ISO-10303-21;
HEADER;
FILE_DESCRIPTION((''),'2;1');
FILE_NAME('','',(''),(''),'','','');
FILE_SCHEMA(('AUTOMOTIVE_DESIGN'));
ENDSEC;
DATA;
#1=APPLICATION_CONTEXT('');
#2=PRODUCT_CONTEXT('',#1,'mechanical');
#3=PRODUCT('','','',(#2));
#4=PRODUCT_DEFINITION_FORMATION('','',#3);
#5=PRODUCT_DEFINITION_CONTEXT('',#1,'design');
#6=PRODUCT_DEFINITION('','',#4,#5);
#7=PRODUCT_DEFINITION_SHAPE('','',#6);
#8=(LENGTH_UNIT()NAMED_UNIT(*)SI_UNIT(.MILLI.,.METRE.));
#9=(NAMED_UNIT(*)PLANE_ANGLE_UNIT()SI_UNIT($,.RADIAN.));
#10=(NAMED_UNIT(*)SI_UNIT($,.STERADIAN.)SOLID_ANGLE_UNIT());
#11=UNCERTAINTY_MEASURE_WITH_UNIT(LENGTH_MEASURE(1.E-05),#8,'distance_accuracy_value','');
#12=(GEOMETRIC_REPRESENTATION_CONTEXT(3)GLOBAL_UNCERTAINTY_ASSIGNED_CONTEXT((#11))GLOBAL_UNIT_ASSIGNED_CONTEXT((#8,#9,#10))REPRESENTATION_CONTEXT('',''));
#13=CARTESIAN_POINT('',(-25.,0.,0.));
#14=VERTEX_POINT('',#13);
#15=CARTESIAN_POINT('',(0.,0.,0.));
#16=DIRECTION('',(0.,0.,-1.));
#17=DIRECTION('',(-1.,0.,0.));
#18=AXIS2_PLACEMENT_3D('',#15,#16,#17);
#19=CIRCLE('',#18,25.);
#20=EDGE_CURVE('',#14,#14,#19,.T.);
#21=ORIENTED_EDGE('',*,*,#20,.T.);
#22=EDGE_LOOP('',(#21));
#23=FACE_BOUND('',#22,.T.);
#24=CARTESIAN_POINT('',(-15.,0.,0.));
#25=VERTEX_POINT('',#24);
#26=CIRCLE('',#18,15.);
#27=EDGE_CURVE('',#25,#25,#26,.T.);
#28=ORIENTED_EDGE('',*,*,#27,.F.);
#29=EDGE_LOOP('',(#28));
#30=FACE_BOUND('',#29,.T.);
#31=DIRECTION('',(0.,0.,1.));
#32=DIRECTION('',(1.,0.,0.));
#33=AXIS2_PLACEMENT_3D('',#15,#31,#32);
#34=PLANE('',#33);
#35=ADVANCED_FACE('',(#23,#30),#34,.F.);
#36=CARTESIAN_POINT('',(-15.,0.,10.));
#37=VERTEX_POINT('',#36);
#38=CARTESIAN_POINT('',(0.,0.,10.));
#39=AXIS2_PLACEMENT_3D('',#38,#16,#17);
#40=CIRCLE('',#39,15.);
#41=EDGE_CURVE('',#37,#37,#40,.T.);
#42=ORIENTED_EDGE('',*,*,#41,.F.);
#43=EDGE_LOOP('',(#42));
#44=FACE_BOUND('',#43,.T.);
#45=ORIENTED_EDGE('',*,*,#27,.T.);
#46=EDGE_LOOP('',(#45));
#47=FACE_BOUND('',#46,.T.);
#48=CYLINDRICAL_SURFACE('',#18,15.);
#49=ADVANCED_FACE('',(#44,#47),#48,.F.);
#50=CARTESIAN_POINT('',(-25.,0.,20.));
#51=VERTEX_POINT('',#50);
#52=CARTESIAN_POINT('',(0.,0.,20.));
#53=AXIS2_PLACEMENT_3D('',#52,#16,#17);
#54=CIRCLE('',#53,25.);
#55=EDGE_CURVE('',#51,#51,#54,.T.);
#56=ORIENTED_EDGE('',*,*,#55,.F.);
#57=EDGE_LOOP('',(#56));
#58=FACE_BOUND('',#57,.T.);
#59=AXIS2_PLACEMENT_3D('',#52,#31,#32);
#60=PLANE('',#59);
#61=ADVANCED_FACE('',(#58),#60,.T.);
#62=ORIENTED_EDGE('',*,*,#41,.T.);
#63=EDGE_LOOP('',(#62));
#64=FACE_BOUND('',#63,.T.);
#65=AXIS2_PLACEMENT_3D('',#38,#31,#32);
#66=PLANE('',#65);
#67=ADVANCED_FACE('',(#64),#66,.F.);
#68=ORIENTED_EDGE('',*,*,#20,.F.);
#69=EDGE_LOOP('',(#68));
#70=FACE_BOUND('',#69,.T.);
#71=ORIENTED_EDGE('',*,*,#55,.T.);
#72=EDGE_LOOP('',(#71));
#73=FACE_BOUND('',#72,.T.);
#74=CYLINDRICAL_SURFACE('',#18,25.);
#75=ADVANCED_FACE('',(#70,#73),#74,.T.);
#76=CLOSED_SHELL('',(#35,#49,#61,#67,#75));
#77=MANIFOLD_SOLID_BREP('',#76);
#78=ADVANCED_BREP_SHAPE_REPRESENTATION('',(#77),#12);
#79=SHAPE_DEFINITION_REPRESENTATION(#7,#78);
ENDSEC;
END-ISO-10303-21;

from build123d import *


with BuildPart() as part:
    # Sketch1 → Revolve1 (revolve)
    with BuildSketch(Plane(origin=(0, 0, 0), x_dir=(1, 0, 0), z_dir=(0, 1, 0))):
        Polygon((-25, -20), (0, -20), (0, -10), (-15, -10), (-15, 0), (-25, 0), align=None)
    revolve(axis=Axis((0, 0, 0), (0, 0, 1)))


solid = part.part
